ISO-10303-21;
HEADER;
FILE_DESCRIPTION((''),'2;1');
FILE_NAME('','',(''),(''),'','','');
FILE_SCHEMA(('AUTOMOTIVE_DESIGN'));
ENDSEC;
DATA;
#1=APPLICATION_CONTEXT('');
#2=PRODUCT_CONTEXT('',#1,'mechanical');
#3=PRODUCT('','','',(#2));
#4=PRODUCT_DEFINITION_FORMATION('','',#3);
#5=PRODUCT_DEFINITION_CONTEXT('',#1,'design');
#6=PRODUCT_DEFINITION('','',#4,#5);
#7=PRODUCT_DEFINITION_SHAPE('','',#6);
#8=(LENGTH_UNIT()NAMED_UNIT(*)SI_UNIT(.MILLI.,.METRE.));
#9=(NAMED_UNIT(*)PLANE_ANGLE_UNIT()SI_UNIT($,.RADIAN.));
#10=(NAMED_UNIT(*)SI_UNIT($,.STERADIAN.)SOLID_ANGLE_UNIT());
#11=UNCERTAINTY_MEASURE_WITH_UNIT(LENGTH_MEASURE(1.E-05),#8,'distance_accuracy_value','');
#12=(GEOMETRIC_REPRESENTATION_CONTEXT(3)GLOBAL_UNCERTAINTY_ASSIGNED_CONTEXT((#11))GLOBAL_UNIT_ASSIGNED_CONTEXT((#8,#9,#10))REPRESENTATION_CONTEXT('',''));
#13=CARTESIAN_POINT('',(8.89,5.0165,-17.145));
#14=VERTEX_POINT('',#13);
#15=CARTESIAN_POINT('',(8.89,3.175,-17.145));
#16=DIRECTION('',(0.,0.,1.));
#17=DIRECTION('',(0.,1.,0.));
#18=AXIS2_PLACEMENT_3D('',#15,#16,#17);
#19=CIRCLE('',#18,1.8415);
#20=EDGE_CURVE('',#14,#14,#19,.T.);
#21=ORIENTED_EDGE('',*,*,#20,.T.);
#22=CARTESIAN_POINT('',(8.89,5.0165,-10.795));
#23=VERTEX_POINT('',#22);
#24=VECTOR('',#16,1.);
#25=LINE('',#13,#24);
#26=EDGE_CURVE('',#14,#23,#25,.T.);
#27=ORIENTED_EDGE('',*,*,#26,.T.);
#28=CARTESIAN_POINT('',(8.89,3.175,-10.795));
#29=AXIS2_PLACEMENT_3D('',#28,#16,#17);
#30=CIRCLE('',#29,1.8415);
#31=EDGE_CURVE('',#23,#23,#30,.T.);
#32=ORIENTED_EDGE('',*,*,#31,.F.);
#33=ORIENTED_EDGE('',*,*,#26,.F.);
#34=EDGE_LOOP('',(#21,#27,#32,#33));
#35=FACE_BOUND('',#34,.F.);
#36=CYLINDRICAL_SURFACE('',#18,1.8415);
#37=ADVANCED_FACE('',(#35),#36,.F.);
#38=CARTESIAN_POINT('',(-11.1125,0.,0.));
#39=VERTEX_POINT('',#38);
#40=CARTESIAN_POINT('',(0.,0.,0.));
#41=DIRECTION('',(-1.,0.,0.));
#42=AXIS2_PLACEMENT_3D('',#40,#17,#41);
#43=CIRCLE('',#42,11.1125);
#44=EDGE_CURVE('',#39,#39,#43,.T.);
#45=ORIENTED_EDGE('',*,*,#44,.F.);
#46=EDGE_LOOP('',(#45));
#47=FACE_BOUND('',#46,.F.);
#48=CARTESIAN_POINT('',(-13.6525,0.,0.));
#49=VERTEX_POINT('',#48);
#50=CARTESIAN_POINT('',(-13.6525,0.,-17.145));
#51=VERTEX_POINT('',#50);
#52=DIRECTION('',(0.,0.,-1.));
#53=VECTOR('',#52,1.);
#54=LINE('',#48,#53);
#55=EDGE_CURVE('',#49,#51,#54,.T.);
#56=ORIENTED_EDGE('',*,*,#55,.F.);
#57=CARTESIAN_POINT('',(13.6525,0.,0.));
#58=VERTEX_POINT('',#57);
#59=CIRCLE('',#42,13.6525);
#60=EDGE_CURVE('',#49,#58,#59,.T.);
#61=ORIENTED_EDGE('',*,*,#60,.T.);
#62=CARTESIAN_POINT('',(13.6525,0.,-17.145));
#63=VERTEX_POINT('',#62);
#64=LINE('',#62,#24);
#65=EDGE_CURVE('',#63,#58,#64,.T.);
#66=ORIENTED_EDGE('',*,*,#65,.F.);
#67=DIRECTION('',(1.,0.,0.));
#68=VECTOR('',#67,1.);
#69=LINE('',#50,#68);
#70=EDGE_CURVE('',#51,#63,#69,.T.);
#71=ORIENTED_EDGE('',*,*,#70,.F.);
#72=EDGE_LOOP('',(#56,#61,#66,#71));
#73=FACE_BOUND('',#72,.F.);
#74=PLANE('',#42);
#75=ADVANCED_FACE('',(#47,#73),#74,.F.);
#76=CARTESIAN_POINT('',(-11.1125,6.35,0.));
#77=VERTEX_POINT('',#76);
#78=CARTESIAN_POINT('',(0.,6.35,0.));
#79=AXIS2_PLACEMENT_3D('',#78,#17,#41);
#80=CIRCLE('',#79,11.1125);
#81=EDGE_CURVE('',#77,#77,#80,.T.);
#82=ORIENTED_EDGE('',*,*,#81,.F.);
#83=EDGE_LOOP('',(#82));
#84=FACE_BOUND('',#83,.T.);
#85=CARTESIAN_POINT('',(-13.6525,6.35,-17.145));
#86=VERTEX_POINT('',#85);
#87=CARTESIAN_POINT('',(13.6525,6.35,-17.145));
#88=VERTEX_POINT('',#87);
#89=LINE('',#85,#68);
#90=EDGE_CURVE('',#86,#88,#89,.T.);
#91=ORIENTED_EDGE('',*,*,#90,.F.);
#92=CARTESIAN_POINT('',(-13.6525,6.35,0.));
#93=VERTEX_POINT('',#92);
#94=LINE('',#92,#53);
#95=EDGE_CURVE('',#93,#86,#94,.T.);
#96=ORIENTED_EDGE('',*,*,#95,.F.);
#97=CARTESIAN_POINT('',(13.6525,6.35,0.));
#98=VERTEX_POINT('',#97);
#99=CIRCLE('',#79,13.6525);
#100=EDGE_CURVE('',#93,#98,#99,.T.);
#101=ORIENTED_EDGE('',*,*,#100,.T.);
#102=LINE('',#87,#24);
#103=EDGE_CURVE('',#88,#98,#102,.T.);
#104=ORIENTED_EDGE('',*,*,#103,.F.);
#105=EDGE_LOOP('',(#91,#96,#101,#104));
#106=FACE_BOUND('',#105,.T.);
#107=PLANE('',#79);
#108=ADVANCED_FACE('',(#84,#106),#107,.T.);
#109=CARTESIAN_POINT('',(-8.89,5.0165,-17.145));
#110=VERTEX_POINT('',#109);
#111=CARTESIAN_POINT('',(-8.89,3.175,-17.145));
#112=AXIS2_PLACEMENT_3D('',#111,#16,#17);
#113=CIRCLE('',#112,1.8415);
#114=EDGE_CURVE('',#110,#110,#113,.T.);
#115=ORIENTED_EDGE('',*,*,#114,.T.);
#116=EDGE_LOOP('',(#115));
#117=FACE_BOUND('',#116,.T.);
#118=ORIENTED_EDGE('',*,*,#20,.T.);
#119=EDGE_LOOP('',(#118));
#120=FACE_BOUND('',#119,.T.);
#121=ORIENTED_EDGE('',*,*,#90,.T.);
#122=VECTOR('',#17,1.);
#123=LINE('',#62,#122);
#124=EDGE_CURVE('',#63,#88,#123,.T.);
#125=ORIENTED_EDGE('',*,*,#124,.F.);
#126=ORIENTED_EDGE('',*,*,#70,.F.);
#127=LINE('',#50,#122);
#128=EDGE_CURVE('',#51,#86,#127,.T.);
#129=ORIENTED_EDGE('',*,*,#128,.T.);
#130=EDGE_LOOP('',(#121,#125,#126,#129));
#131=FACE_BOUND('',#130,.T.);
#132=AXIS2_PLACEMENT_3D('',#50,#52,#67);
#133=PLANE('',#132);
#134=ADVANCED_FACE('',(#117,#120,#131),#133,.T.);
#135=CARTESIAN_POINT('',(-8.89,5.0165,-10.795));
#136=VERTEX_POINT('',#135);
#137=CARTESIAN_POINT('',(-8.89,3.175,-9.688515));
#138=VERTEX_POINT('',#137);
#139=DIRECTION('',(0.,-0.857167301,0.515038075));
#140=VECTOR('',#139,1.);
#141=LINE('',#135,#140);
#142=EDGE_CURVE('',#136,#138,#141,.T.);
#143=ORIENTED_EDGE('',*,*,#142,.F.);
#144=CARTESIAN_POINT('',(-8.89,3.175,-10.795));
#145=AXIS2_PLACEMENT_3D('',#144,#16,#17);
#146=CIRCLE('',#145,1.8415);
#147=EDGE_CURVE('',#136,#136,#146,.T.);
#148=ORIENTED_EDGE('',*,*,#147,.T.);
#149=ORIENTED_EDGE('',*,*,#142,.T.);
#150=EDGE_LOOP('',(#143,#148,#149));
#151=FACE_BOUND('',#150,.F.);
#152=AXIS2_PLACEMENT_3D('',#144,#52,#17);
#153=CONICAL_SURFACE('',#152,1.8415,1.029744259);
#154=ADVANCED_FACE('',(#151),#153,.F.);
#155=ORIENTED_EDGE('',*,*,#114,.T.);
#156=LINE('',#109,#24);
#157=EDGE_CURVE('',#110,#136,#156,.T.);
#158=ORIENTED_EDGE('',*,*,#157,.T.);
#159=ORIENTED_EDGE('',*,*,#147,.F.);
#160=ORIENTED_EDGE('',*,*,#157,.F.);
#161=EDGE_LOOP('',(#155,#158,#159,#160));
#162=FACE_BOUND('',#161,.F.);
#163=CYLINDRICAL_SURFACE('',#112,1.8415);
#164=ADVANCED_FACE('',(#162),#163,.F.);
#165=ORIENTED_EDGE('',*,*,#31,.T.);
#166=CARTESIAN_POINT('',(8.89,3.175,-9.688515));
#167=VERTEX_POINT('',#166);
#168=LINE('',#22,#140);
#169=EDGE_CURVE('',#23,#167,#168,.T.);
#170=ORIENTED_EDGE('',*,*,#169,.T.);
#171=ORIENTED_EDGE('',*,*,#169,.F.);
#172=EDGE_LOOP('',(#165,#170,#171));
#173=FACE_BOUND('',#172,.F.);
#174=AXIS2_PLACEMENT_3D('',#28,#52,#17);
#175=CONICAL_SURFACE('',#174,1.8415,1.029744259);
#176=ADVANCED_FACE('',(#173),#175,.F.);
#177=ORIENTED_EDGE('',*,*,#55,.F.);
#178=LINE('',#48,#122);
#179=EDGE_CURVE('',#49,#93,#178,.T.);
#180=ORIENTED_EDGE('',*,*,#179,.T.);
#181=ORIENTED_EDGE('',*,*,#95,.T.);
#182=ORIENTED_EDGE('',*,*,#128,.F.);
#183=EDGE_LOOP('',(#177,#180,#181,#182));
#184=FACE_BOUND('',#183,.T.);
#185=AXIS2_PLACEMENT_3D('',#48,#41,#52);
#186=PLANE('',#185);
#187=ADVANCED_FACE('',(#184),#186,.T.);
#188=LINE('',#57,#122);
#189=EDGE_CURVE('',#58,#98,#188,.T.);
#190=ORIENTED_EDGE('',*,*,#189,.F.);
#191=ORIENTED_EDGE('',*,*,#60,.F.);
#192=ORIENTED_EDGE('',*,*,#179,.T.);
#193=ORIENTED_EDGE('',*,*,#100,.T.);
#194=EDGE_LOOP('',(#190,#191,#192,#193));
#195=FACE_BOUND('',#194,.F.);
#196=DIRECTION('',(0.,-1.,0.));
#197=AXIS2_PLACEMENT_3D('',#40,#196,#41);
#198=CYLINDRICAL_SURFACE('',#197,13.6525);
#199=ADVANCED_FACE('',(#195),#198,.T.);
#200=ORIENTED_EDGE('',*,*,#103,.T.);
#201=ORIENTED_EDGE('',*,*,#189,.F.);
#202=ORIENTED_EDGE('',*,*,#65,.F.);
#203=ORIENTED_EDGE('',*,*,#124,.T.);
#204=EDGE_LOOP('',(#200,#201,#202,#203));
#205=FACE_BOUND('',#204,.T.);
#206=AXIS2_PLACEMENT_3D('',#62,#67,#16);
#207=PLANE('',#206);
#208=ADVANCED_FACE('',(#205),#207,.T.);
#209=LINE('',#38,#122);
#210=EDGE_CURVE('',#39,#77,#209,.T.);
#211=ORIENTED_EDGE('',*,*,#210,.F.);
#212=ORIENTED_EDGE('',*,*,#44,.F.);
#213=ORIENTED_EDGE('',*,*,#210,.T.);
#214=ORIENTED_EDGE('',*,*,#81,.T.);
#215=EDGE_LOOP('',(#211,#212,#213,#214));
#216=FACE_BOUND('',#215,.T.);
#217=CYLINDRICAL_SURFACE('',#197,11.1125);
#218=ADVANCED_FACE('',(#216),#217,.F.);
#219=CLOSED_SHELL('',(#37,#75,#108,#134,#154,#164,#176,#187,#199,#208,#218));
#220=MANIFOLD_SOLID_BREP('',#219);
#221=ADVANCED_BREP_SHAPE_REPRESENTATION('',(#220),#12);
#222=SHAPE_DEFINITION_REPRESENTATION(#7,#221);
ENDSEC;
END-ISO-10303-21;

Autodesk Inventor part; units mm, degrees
ref_plane "YZ Plane" through (0, 0, 0) normal (1, 0, 0) x (0, 1, 0)
ref_plane "XZ Plane" through (0, 0, 0) normal (0, 1, 0) x (-1, 0, 0)
ref_plane "XY Plane" through (0, 0, 0) normal (0, 0, 1) x (1, 0, 0)
sketch "Sketch1" plane through (0, 0, 0) normal (0, 1, 0) x (-1, 0, 0)
  circle A0 centre (0, 0) radius 11.1125
  line L0 (13.6525, -17.145) -> (-13.6525, -17.145)
  arc A1 (13.6525, 0) -> (-13.6525, 0) centre (0, 0) ccw
  line L1 (13.6525, 0) -> (13.6525, -17.145)
  line L2 (-13.6525, -17.145) -> (-13.6525, 0)
  dimension "d0" = 22.225
  dimension "d1" = 17.145
  dimension "d2" = 2.54
extrude "Extrusion1" add sketch "Sketch1" along normal blind 6.35
sketch "Sketch2" plane through (13.6525, 0, -17.145) normal (0, 0, -1) x (-1, 0, 0)
  line L0 (0, 0) -> (27.305, 0) projected
  line L1 (0, 0) -> (0, 6.35) projected
  line L2 (27.305, 0) -> (27.305, 6.35) projected
  point P0 (13.6525, 0)
  point P1 (4.7625, 3.175)
  point P2 (22.5425, 3.175)
  dimension "d5" = 3.175
  dimension "d6" = 4.7625
  dimension "d7" = 4.7625
hole "Hole1" at (8.89, 3.175, -17.145) at (-8.89, 3.175, -17.145) direction (0, 0, 1) diameter 3.683 depth 6.35 tip angle 118 thread size "10-24 UNC" class "2B" standard "ANSI Unified Screw Threads"
equation "\"d7\" = d6"
properties part number "PLATE,BEARING,BLOCK"
